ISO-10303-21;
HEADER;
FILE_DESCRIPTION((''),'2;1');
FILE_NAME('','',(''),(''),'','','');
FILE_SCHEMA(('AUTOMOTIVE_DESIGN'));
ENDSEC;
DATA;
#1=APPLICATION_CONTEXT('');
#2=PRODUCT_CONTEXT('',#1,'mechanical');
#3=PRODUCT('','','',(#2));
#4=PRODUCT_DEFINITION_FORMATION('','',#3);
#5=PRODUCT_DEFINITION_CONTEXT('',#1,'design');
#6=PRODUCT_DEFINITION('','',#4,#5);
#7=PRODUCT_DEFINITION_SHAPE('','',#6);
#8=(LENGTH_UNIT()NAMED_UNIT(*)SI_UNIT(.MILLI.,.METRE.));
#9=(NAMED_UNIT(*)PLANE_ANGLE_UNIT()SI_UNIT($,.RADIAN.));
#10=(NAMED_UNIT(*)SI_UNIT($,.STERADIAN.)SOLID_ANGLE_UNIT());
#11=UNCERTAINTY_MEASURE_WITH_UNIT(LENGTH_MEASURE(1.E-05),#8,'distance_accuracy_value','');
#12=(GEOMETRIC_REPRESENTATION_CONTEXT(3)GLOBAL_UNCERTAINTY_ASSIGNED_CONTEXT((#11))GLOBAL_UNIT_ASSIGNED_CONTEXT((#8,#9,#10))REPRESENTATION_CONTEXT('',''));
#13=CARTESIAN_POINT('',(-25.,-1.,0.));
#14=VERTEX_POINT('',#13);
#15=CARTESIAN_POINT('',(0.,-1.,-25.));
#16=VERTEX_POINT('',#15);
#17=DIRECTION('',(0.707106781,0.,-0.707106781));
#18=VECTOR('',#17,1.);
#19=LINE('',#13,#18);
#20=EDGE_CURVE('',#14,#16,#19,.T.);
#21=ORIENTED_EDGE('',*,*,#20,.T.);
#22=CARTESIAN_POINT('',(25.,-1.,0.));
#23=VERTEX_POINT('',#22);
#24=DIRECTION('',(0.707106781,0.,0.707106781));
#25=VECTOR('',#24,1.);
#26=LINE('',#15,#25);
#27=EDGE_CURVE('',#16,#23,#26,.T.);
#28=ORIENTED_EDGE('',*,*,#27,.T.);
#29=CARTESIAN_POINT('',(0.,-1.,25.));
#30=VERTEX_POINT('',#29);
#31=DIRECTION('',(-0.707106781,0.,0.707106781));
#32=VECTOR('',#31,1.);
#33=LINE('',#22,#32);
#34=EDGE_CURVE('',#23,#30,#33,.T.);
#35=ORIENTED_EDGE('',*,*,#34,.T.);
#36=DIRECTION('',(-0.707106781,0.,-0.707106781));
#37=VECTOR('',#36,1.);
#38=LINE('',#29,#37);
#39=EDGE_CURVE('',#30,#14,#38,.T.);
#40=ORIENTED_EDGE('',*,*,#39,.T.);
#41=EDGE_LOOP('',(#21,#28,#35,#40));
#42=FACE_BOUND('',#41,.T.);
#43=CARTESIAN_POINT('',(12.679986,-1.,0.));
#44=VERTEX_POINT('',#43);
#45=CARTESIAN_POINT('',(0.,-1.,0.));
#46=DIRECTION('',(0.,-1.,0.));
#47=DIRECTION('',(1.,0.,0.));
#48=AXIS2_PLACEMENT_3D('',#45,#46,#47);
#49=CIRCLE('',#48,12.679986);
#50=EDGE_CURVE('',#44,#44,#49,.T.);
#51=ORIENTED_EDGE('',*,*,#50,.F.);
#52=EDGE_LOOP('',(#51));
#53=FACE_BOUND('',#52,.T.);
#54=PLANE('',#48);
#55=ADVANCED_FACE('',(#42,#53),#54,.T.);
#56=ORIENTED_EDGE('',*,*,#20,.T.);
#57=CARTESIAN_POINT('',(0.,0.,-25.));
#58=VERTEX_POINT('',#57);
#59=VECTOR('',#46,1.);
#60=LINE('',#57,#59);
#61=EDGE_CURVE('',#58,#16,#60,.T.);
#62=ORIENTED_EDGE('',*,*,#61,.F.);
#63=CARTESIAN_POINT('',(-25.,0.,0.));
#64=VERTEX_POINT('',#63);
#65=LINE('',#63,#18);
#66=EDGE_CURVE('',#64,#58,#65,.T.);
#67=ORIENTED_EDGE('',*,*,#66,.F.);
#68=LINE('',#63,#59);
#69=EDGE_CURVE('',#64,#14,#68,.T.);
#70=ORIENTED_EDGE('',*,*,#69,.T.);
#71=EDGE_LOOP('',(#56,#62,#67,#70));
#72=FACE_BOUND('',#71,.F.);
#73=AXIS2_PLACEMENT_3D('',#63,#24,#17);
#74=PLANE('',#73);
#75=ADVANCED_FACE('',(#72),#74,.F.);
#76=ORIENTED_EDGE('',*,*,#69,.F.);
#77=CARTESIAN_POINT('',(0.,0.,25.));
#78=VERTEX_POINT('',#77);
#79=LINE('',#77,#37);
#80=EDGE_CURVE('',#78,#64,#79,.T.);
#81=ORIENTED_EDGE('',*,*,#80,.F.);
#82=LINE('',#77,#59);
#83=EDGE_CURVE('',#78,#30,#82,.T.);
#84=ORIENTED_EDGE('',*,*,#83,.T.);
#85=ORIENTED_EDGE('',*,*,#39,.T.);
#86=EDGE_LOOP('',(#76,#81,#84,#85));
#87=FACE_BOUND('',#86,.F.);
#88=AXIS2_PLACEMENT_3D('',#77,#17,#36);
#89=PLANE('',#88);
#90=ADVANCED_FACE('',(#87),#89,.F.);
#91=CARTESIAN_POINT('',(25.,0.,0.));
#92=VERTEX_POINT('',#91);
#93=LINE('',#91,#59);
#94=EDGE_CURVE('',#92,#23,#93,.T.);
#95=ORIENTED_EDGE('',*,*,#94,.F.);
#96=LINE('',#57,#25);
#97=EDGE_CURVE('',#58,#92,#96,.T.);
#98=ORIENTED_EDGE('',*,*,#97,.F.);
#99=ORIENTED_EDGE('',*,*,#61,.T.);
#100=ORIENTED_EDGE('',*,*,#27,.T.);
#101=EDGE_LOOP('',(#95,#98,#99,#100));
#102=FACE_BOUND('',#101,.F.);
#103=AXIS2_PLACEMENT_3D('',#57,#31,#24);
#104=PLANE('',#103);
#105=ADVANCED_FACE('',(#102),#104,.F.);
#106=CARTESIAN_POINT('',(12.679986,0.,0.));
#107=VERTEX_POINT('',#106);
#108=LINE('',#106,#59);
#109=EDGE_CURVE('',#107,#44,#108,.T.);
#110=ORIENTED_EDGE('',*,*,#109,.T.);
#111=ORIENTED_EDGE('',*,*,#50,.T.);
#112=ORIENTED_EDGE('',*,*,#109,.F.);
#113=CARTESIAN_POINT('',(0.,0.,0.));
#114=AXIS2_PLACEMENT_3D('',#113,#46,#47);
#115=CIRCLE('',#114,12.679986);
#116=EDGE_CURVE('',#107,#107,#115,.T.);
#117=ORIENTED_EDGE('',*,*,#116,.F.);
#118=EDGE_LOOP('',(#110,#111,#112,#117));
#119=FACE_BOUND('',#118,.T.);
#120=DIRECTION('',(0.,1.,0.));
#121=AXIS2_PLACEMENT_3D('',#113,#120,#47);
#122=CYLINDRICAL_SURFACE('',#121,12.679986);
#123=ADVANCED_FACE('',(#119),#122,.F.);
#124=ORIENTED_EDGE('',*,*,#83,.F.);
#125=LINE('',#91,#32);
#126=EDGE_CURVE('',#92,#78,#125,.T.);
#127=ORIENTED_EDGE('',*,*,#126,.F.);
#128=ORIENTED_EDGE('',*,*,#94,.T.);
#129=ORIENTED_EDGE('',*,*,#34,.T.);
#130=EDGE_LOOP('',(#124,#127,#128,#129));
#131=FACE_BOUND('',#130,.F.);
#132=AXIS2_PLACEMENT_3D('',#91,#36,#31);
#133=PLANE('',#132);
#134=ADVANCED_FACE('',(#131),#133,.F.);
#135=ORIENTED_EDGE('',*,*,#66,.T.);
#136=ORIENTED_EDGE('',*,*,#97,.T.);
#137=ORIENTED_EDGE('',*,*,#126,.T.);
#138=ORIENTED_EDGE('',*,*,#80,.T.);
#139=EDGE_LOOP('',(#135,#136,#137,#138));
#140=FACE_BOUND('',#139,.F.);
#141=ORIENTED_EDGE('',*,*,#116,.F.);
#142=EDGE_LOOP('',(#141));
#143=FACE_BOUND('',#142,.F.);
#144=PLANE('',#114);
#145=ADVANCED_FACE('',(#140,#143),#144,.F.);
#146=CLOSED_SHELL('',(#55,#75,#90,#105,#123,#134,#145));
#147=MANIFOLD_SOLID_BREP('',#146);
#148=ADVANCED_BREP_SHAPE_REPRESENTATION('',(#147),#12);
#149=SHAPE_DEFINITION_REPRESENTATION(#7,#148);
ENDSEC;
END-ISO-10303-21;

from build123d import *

# Parameters (mm, degrees)
F0_R     = 12.679986
F1_DEPTH = 1


with BuildPart() as f1:
    # F0 (on Front) → F1 (new body)
    with BuildSketch(Plane.XZ):
        Polygon((0, 25), (-25, 0), (0, -25), (25, 0), align=None)
        Circle(F0_R, mode=Mode.SUBTRACT)
    extrude(amount=F1_DEPTH)


solid = f1.part
